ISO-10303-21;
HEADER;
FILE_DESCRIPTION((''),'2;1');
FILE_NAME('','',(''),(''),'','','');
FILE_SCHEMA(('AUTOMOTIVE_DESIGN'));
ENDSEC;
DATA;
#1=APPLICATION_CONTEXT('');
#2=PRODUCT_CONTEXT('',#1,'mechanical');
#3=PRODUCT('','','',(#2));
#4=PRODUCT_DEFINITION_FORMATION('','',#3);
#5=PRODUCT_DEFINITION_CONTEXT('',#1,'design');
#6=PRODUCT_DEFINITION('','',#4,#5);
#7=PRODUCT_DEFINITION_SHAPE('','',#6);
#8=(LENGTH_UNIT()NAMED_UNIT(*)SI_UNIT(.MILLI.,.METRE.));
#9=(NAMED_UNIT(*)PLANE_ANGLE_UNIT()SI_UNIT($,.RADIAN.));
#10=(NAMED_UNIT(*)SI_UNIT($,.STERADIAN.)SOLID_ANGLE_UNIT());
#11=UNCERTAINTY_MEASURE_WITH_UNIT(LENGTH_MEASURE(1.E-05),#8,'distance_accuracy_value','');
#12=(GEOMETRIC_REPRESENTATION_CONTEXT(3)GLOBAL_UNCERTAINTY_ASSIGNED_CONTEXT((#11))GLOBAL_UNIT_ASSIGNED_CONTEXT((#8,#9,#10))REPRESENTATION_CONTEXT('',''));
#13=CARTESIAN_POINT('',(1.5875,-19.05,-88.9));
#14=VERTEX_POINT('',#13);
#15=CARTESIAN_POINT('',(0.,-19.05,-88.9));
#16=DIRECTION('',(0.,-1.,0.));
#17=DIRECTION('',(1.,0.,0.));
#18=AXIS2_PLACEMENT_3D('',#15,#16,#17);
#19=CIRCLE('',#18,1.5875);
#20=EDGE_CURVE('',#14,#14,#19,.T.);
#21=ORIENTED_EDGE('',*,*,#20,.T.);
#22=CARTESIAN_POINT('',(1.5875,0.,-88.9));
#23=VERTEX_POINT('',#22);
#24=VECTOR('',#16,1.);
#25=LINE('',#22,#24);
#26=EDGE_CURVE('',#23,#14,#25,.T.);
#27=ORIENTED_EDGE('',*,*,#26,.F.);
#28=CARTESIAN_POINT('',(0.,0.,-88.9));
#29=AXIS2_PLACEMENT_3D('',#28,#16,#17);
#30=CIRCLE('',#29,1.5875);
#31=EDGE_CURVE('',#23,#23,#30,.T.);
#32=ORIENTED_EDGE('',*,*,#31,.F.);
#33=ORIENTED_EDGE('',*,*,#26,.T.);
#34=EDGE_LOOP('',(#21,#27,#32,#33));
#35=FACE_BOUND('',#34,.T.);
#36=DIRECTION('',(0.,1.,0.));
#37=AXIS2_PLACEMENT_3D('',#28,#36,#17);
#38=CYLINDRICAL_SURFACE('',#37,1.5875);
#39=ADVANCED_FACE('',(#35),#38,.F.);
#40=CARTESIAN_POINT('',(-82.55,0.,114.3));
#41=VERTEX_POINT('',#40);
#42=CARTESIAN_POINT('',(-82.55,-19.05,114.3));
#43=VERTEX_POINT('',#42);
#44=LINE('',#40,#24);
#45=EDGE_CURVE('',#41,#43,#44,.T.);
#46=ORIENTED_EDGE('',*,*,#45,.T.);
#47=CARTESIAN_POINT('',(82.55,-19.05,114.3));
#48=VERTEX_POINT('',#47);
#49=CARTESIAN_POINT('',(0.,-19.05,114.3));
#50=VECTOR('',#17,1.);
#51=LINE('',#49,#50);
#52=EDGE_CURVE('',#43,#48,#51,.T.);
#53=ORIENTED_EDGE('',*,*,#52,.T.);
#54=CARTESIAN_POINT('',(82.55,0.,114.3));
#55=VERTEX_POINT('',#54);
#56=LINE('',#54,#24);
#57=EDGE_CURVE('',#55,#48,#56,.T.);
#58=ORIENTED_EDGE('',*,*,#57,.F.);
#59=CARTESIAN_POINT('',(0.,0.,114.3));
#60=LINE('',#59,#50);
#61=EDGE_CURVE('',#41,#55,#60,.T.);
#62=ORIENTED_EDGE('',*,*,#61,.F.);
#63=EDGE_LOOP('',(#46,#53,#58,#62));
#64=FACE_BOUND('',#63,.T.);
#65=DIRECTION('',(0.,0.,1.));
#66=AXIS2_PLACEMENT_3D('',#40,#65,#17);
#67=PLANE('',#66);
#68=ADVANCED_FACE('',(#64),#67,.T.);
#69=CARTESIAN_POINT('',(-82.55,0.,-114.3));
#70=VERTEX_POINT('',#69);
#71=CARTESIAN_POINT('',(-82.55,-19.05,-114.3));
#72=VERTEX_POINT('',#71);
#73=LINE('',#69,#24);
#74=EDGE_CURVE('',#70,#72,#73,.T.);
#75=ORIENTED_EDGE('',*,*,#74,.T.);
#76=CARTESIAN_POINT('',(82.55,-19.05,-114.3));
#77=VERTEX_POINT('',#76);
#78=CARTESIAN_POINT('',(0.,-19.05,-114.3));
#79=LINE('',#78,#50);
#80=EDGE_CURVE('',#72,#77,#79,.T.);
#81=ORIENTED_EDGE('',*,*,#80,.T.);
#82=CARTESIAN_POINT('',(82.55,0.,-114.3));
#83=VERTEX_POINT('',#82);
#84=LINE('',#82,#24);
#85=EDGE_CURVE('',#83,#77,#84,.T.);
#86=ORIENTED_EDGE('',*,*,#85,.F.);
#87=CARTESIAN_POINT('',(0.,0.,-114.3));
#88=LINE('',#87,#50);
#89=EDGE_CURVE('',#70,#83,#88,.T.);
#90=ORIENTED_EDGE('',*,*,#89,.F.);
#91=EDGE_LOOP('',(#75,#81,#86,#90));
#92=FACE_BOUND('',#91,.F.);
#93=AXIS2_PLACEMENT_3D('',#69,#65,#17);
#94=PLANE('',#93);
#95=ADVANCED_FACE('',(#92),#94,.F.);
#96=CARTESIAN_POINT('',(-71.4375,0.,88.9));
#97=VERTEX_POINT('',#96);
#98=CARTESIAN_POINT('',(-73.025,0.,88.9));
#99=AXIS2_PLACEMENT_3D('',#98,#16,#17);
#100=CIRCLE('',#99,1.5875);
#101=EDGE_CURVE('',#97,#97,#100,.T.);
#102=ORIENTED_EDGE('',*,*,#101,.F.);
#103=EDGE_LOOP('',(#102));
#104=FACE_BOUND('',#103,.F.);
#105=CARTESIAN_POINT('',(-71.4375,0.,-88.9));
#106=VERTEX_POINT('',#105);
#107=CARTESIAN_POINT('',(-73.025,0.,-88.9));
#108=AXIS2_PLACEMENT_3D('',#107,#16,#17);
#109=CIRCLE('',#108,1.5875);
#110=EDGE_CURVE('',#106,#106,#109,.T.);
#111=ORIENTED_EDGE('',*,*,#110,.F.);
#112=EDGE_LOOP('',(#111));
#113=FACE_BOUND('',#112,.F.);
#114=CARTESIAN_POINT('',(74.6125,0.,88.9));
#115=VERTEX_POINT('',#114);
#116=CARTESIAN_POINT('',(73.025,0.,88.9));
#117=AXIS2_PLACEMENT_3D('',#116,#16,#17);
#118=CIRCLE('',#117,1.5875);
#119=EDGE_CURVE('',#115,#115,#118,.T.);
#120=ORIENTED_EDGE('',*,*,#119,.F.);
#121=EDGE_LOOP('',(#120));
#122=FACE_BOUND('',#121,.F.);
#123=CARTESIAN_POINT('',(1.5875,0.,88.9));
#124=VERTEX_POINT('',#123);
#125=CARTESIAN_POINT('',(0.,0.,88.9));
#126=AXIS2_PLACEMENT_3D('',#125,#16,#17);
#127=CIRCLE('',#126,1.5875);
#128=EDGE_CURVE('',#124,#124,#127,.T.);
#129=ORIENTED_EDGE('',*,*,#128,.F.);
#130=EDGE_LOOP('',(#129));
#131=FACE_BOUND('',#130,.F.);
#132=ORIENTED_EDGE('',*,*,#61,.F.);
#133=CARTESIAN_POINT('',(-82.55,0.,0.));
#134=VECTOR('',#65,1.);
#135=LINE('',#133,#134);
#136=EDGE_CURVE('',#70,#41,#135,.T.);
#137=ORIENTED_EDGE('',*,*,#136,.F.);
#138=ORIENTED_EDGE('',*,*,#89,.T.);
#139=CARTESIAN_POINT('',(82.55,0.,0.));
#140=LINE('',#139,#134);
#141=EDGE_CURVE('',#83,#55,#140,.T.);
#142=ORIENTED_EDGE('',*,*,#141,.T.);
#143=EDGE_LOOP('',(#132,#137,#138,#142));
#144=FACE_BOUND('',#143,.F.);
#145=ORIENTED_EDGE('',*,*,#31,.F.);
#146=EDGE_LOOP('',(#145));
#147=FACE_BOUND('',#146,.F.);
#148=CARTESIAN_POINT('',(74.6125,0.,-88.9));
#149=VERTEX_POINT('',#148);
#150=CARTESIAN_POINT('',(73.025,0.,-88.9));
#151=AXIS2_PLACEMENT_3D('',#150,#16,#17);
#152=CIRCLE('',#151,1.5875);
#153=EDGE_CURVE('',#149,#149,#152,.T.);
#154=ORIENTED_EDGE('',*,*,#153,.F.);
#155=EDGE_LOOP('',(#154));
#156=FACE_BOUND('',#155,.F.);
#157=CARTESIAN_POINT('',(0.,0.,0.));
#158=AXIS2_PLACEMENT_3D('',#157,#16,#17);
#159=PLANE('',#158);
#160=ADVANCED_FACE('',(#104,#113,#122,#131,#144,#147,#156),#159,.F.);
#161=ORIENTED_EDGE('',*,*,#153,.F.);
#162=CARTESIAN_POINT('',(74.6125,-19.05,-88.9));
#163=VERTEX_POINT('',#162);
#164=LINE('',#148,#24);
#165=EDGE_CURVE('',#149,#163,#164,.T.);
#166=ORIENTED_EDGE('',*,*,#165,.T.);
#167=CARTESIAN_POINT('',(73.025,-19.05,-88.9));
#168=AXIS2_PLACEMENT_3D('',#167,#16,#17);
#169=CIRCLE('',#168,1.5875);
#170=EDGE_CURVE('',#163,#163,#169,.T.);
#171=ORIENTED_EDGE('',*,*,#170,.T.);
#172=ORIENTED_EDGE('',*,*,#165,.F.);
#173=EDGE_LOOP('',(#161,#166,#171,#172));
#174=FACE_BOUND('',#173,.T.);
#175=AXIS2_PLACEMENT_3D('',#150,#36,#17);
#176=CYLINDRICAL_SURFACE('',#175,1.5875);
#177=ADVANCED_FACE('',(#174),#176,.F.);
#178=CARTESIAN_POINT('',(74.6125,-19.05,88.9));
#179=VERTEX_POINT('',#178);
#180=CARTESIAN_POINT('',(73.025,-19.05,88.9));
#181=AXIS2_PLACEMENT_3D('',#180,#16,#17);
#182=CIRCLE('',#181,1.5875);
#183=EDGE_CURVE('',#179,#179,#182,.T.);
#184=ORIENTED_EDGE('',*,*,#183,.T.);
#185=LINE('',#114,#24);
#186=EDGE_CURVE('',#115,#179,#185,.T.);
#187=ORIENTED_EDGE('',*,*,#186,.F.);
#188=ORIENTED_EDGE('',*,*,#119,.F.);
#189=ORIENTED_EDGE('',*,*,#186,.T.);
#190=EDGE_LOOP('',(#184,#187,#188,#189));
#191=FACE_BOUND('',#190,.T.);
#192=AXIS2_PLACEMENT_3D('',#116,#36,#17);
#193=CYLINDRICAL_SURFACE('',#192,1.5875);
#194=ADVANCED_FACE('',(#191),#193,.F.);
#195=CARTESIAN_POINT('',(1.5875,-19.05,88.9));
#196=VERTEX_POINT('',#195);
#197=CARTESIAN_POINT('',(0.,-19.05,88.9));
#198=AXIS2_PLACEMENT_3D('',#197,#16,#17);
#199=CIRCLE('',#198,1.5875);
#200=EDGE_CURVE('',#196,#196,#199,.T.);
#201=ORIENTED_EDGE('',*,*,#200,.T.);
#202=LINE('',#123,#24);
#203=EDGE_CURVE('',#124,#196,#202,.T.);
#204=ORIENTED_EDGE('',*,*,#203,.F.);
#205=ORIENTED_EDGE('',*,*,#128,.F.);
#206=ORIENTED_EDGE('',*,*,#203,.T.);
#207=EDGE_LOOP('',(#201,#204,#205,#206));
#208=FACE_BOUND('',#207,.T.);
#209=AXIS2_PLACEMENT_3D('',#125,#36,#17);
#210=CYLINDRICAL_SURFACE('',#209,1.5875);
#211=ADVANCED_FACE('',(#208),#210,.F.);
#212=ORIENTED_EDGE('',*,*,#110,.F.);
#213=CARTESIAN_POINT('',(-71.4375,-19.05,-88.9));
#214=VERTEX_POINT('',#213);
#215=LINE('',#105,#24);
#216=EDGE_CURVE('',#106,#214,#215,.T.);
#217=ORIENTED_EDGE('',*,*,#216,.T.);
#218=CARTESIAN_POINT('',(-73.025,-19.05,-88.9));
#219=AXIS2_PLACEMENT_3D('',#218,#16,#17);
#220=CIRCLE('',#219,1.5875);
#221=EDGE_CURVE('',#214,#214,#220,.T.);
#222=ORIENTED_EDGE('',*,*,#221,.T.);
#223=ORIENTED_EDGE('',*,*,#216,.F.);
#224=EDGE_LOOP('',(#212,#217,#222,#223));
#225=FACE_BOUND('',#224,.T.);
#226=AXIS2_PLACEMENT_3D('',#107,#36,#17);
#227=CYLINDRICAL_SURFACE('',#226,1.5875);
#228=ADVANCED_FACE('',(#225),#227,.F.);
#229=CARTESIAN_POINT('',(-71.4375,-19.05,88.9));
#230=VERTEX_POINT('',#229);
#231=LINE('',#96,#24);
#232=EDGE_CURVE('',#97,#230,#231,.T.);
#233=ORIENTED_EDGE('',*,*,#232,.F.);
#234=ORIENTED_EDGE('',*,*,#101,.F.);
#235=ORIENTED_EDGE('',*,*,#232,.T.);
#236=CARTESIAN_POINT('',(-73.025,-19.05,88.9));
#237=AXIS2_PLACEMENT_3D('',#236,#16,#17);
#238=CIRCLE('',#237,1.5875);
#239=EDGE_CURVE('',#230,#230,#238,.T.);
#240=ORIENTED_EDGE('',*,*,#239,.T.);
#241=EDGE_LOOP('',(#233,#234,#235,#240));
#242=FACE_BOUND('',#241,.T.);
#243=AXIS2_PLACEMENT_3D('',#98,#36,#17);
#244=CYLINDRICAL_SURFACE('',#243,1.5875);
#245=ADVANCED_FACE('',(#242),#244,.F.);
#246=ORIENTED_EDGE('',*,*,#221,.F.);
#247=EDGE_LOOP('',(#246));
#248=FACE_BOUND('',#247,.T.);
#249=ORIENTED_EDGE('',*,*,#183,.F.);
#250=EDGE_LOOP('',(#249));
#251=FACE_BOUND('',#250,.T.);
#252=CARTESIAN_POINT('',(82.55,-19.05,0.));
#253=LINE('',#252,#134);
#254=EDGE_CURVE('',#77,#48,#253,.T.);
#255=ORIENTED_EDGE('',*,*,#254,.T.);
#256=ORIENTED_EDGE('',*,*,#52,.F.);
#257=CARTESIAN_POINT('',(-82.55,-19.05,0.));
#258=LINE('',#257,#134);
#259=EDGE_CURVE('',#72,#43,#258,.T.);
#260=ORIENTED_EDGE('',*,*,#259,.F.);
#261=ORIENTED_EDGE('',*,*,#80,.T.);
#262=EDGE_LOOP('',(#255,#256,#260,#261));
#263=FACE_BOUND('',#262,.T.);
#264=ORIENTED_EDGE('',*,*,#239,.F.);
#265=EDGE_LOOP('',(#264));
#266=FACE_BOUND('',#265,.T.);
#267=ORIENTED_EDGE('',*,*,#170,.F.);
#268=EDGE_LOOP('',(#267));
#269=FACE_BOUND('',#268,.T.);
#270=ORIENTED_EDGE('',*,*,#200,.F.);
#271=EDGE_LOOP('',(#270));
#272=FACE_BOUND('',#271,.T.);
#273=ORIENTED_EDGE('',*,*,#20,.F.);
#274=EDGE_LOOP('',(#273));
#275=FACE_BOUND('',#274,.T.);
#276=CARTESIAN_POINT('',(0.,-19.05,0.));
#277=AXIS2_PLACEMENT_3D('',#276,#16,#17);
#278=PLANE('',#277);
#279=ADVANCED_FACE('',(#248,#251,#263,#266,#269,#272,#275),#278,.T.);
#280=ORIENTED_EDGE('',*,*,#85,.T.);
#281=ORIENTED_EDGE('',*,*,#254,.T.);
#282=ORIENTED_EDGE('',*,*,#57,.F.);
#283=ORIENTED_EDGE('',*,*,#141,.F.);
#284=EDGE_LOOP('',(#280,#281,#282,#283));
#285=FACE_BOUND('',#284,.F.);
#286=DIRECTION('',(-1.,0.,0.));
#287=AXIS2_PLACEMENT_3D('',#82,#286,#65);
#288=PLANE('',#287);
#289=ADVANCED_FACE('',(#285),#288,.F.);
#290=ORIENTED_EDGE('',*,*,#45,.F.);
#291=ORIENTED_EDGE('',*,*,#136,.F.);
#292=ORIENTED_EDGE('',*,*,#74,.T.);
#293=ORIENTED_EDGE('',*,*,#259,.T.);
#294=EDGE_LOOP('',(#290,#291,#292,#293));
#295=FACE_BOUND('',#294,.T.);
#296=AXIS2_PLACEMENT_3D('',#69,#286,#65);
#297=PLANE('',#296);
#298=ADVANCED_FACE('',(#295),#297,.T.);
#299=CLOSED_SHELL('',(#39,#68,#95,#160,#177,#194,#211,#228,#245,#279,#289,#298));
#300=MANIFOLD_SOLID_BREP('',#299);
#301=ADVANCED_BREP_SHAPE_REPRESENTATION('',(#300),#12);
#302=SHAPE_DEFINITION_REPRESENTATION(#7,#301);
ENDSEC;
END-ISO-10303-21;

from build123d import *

# Parameters (mm, degrees)
F0_W     = 165.1
F0_H     = 228.6
F0_R     = 1.5875
F1_DEPTH = 19.05


with BuildPart() as f1:
    # F0 (on Front) → F1 (new body)
    with BuildSketch(Plane.XZ):
        Rectangle(F0_W, F0_H)
        with Locations((-73.025, -88.9)):
            Circle(F0_R, mode=Mode.SUBTRACT)
        with Locations((0, -88.9)):
            Circle(F0_R, mode=Mode.SUBTRACT)
        with Locations((73.025, -88.9)):
            Circle(F0_R, mode=Mode.SUBTRACT)
        with Locations((-73.025, 88.9)):
            Circle(F0_R, mode=Mode.SUBTRACT)
        with Locations((0, 88.9)):
            Circle(F0_R, mode=Mode.SUBTRACT)
        with Locations((73.025, 88.9)):
            Circle(F0_R, mode=Mode.SUBTRACT)
    extrude(amount=F1_DEPTH)


solid = f1.part
